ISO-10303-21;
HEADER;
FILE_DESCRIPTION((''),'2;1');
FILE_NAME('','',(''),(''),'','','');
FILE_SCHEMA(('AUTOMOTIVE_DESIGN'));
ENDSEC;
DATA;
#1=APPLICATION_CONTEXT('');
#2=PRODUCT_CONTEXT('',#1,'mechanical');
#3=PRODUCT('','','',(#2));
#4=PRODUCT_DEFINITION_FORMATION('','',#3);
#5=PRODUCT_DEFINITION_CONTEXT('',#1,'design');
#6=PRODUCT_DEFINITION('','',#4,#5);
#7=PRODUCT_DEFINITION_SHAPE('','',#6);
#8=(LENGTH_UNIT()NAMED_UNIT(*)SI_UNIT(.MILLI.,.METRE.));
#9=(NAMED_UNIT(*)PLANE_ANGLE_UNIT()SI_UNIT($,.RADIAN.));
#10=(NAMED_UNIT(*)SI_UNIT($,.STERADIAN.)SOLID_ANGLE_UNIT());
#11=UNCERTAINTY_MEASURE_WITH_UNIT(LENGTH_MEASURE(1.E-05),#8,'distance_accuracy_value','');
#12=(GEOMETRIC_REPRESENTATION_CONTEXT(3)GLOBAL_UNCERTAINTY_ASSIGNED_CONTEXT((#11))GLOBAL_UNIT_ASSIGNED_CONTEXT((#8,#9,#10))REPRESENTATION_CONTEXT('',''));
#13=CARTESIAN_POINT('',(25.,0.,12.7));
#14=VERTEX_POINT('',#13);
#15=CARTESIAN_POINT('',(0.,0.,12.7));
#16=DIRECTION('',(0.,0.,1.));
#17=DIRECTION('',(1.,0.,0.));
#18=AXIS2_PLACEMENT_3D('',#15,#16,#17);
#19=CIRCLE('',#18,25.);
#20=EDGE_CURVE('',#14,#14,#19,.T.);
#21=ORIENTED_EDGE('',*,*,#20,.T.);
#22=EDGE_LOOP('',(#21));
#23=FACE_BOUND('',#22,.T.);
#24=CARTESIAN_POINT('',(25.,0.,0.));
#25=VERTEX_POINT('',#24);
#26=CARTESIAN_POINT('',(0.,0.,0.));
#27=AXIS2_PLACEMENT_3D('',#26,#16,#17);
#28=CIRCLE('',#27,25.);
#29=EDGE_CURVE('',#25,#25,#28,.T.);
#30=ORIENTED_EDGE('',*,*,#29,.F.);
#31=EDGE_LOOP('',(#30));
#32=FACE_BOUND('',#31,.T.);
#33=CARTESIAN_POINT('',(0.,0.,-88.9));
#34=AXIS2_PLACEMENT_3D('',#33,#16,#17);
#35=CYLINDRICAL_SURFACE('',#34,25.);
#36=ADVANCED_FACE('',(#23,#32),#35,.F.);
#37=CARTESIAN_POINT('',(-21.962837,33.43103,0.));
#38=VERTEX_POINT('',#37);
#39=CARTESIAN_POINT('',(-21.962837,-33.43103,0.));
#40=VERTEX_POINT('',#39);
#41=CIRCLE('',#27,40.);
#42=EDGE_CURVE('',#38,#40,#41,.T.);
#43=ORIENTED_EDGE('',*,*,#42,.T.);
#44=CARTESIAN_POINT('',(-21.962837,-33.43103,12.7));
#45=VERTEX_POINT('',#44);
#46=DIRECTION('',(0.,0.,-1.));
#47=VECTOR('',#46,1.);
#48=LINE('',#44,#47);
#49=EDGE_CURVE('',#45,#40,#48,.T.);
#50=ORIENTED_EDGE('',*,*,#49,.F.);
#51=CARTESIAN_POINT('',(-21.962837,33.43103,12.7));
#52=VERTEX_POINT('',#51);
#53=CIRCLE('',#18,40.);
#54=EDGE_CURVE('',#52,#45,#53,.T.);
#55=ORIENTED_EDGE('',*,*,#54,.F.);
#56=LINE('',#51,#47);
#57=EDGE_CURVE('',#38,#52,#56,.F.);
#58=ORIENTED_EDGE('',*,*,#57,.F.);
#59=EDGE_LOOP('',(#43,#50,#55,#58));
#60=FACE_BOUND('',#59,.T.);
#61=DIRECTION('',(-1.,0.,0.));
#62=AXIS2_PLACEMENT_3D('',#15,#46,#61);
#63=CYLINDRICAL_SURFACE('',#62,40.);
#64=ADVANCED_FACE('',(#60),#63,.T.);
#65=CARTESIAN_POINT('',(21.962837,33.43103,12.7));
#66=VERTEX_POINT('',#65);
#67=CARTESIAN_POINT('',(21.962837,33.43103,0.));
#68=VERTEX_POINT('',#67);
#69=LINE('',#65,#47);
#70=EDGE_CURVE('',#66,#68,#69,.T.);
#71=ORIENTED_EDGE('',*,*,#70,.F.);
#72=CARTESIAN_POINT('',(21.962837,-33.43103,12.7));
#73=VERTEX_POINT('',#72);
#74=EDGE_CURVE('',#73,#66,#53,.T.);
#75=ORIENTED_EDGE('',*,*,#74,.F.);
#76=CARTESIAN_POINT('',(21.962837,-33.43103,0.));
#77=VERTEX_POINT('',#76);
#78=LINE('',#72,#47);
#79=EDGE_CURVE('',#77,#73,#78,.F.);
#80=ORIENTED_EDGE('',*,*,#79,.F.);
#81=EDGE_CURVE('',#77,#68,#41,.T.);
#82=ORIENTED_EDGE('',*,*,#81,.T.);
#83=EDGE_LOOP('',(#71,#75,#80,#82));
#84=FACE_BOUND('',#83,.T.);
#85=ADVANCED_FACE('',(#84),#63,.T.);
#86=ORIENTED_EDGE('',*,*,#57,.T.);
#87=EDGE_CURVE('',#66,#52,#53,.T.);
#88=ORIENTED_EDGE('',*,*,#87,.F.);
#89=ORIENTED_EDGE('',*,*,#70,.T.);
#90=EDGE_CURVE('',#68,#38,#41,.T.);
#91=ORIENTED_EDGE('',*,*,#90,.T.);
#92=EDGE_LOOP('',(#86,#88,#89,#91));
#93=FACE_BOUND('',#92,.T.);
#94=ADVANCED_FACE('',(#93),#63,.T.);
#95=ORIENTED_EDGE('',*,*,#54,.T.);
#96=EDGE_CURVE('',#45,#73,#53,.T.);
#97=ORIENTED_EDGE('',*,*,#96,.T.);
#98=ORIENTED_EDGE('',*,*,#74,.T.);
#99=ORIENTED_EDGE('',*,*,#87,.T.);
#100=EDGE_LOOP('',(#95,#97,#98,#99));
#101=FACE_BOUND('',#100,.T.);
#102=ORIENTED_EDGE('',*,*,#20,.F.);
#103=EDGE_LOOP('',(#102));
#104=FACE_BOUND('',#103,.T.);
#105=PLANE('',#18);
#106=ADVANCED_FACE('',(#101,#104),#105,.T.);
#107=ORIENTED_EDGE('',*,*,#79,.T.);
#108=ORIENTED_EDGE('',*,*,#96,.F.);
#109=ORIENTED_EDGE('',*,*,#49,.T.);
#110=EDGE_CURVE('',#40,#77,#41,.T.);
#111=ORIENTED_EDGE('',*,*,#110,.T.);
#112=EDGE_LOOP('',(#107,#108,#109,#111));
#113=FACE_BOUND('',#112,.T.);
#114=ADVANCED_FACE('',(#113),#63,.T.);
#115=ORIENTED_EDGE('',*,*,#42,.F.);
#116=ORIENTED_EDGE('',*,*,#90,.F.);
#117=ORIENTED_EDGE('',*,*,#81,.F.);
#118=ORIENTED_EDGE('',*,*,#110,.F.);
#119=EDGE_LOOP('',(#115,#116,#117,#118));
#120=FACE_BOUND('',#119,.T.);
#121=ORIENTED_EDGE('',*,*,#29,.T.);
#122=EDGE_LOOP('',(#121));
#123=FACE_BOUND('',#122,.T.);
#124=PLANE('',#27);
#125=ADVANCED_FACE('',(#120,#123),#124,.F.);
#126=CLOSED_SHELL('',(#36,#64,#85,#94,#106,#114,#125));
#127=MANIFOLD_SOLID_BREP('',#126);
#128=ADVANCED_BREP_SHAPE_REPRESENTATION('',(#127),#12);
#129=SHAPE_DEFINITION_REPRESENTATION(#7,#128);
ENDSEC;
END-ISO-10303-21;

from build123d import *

# Parameters (mm, degrees)
SKETCH1_R           = 40
BOSS_EXTRUDE1_DEPTH = 12.7
SKETCH4_R           = 25
CUT_EXTRUDE1_DEPTH  = 101.6


with BuildPart() as part:
    # Sketch1 → Boss-Extrude1 (new body)
    with BuildSketch(Plane.XY):
        Circle(SKETCH1_R)
    extrude(amount=BOSS_EXTRUDE1_DEPTH)

    # Sketch4 → Cut-Extrude1 (cut)
    with BuildSketch(Plane.XY.offset(12.7)):
        Circle(SKETCH4_R)
    extrude(amount=-CUT_EXTRUDE1_DEPTH, mode=Mode.SUBTRACT)


solid = part.part
